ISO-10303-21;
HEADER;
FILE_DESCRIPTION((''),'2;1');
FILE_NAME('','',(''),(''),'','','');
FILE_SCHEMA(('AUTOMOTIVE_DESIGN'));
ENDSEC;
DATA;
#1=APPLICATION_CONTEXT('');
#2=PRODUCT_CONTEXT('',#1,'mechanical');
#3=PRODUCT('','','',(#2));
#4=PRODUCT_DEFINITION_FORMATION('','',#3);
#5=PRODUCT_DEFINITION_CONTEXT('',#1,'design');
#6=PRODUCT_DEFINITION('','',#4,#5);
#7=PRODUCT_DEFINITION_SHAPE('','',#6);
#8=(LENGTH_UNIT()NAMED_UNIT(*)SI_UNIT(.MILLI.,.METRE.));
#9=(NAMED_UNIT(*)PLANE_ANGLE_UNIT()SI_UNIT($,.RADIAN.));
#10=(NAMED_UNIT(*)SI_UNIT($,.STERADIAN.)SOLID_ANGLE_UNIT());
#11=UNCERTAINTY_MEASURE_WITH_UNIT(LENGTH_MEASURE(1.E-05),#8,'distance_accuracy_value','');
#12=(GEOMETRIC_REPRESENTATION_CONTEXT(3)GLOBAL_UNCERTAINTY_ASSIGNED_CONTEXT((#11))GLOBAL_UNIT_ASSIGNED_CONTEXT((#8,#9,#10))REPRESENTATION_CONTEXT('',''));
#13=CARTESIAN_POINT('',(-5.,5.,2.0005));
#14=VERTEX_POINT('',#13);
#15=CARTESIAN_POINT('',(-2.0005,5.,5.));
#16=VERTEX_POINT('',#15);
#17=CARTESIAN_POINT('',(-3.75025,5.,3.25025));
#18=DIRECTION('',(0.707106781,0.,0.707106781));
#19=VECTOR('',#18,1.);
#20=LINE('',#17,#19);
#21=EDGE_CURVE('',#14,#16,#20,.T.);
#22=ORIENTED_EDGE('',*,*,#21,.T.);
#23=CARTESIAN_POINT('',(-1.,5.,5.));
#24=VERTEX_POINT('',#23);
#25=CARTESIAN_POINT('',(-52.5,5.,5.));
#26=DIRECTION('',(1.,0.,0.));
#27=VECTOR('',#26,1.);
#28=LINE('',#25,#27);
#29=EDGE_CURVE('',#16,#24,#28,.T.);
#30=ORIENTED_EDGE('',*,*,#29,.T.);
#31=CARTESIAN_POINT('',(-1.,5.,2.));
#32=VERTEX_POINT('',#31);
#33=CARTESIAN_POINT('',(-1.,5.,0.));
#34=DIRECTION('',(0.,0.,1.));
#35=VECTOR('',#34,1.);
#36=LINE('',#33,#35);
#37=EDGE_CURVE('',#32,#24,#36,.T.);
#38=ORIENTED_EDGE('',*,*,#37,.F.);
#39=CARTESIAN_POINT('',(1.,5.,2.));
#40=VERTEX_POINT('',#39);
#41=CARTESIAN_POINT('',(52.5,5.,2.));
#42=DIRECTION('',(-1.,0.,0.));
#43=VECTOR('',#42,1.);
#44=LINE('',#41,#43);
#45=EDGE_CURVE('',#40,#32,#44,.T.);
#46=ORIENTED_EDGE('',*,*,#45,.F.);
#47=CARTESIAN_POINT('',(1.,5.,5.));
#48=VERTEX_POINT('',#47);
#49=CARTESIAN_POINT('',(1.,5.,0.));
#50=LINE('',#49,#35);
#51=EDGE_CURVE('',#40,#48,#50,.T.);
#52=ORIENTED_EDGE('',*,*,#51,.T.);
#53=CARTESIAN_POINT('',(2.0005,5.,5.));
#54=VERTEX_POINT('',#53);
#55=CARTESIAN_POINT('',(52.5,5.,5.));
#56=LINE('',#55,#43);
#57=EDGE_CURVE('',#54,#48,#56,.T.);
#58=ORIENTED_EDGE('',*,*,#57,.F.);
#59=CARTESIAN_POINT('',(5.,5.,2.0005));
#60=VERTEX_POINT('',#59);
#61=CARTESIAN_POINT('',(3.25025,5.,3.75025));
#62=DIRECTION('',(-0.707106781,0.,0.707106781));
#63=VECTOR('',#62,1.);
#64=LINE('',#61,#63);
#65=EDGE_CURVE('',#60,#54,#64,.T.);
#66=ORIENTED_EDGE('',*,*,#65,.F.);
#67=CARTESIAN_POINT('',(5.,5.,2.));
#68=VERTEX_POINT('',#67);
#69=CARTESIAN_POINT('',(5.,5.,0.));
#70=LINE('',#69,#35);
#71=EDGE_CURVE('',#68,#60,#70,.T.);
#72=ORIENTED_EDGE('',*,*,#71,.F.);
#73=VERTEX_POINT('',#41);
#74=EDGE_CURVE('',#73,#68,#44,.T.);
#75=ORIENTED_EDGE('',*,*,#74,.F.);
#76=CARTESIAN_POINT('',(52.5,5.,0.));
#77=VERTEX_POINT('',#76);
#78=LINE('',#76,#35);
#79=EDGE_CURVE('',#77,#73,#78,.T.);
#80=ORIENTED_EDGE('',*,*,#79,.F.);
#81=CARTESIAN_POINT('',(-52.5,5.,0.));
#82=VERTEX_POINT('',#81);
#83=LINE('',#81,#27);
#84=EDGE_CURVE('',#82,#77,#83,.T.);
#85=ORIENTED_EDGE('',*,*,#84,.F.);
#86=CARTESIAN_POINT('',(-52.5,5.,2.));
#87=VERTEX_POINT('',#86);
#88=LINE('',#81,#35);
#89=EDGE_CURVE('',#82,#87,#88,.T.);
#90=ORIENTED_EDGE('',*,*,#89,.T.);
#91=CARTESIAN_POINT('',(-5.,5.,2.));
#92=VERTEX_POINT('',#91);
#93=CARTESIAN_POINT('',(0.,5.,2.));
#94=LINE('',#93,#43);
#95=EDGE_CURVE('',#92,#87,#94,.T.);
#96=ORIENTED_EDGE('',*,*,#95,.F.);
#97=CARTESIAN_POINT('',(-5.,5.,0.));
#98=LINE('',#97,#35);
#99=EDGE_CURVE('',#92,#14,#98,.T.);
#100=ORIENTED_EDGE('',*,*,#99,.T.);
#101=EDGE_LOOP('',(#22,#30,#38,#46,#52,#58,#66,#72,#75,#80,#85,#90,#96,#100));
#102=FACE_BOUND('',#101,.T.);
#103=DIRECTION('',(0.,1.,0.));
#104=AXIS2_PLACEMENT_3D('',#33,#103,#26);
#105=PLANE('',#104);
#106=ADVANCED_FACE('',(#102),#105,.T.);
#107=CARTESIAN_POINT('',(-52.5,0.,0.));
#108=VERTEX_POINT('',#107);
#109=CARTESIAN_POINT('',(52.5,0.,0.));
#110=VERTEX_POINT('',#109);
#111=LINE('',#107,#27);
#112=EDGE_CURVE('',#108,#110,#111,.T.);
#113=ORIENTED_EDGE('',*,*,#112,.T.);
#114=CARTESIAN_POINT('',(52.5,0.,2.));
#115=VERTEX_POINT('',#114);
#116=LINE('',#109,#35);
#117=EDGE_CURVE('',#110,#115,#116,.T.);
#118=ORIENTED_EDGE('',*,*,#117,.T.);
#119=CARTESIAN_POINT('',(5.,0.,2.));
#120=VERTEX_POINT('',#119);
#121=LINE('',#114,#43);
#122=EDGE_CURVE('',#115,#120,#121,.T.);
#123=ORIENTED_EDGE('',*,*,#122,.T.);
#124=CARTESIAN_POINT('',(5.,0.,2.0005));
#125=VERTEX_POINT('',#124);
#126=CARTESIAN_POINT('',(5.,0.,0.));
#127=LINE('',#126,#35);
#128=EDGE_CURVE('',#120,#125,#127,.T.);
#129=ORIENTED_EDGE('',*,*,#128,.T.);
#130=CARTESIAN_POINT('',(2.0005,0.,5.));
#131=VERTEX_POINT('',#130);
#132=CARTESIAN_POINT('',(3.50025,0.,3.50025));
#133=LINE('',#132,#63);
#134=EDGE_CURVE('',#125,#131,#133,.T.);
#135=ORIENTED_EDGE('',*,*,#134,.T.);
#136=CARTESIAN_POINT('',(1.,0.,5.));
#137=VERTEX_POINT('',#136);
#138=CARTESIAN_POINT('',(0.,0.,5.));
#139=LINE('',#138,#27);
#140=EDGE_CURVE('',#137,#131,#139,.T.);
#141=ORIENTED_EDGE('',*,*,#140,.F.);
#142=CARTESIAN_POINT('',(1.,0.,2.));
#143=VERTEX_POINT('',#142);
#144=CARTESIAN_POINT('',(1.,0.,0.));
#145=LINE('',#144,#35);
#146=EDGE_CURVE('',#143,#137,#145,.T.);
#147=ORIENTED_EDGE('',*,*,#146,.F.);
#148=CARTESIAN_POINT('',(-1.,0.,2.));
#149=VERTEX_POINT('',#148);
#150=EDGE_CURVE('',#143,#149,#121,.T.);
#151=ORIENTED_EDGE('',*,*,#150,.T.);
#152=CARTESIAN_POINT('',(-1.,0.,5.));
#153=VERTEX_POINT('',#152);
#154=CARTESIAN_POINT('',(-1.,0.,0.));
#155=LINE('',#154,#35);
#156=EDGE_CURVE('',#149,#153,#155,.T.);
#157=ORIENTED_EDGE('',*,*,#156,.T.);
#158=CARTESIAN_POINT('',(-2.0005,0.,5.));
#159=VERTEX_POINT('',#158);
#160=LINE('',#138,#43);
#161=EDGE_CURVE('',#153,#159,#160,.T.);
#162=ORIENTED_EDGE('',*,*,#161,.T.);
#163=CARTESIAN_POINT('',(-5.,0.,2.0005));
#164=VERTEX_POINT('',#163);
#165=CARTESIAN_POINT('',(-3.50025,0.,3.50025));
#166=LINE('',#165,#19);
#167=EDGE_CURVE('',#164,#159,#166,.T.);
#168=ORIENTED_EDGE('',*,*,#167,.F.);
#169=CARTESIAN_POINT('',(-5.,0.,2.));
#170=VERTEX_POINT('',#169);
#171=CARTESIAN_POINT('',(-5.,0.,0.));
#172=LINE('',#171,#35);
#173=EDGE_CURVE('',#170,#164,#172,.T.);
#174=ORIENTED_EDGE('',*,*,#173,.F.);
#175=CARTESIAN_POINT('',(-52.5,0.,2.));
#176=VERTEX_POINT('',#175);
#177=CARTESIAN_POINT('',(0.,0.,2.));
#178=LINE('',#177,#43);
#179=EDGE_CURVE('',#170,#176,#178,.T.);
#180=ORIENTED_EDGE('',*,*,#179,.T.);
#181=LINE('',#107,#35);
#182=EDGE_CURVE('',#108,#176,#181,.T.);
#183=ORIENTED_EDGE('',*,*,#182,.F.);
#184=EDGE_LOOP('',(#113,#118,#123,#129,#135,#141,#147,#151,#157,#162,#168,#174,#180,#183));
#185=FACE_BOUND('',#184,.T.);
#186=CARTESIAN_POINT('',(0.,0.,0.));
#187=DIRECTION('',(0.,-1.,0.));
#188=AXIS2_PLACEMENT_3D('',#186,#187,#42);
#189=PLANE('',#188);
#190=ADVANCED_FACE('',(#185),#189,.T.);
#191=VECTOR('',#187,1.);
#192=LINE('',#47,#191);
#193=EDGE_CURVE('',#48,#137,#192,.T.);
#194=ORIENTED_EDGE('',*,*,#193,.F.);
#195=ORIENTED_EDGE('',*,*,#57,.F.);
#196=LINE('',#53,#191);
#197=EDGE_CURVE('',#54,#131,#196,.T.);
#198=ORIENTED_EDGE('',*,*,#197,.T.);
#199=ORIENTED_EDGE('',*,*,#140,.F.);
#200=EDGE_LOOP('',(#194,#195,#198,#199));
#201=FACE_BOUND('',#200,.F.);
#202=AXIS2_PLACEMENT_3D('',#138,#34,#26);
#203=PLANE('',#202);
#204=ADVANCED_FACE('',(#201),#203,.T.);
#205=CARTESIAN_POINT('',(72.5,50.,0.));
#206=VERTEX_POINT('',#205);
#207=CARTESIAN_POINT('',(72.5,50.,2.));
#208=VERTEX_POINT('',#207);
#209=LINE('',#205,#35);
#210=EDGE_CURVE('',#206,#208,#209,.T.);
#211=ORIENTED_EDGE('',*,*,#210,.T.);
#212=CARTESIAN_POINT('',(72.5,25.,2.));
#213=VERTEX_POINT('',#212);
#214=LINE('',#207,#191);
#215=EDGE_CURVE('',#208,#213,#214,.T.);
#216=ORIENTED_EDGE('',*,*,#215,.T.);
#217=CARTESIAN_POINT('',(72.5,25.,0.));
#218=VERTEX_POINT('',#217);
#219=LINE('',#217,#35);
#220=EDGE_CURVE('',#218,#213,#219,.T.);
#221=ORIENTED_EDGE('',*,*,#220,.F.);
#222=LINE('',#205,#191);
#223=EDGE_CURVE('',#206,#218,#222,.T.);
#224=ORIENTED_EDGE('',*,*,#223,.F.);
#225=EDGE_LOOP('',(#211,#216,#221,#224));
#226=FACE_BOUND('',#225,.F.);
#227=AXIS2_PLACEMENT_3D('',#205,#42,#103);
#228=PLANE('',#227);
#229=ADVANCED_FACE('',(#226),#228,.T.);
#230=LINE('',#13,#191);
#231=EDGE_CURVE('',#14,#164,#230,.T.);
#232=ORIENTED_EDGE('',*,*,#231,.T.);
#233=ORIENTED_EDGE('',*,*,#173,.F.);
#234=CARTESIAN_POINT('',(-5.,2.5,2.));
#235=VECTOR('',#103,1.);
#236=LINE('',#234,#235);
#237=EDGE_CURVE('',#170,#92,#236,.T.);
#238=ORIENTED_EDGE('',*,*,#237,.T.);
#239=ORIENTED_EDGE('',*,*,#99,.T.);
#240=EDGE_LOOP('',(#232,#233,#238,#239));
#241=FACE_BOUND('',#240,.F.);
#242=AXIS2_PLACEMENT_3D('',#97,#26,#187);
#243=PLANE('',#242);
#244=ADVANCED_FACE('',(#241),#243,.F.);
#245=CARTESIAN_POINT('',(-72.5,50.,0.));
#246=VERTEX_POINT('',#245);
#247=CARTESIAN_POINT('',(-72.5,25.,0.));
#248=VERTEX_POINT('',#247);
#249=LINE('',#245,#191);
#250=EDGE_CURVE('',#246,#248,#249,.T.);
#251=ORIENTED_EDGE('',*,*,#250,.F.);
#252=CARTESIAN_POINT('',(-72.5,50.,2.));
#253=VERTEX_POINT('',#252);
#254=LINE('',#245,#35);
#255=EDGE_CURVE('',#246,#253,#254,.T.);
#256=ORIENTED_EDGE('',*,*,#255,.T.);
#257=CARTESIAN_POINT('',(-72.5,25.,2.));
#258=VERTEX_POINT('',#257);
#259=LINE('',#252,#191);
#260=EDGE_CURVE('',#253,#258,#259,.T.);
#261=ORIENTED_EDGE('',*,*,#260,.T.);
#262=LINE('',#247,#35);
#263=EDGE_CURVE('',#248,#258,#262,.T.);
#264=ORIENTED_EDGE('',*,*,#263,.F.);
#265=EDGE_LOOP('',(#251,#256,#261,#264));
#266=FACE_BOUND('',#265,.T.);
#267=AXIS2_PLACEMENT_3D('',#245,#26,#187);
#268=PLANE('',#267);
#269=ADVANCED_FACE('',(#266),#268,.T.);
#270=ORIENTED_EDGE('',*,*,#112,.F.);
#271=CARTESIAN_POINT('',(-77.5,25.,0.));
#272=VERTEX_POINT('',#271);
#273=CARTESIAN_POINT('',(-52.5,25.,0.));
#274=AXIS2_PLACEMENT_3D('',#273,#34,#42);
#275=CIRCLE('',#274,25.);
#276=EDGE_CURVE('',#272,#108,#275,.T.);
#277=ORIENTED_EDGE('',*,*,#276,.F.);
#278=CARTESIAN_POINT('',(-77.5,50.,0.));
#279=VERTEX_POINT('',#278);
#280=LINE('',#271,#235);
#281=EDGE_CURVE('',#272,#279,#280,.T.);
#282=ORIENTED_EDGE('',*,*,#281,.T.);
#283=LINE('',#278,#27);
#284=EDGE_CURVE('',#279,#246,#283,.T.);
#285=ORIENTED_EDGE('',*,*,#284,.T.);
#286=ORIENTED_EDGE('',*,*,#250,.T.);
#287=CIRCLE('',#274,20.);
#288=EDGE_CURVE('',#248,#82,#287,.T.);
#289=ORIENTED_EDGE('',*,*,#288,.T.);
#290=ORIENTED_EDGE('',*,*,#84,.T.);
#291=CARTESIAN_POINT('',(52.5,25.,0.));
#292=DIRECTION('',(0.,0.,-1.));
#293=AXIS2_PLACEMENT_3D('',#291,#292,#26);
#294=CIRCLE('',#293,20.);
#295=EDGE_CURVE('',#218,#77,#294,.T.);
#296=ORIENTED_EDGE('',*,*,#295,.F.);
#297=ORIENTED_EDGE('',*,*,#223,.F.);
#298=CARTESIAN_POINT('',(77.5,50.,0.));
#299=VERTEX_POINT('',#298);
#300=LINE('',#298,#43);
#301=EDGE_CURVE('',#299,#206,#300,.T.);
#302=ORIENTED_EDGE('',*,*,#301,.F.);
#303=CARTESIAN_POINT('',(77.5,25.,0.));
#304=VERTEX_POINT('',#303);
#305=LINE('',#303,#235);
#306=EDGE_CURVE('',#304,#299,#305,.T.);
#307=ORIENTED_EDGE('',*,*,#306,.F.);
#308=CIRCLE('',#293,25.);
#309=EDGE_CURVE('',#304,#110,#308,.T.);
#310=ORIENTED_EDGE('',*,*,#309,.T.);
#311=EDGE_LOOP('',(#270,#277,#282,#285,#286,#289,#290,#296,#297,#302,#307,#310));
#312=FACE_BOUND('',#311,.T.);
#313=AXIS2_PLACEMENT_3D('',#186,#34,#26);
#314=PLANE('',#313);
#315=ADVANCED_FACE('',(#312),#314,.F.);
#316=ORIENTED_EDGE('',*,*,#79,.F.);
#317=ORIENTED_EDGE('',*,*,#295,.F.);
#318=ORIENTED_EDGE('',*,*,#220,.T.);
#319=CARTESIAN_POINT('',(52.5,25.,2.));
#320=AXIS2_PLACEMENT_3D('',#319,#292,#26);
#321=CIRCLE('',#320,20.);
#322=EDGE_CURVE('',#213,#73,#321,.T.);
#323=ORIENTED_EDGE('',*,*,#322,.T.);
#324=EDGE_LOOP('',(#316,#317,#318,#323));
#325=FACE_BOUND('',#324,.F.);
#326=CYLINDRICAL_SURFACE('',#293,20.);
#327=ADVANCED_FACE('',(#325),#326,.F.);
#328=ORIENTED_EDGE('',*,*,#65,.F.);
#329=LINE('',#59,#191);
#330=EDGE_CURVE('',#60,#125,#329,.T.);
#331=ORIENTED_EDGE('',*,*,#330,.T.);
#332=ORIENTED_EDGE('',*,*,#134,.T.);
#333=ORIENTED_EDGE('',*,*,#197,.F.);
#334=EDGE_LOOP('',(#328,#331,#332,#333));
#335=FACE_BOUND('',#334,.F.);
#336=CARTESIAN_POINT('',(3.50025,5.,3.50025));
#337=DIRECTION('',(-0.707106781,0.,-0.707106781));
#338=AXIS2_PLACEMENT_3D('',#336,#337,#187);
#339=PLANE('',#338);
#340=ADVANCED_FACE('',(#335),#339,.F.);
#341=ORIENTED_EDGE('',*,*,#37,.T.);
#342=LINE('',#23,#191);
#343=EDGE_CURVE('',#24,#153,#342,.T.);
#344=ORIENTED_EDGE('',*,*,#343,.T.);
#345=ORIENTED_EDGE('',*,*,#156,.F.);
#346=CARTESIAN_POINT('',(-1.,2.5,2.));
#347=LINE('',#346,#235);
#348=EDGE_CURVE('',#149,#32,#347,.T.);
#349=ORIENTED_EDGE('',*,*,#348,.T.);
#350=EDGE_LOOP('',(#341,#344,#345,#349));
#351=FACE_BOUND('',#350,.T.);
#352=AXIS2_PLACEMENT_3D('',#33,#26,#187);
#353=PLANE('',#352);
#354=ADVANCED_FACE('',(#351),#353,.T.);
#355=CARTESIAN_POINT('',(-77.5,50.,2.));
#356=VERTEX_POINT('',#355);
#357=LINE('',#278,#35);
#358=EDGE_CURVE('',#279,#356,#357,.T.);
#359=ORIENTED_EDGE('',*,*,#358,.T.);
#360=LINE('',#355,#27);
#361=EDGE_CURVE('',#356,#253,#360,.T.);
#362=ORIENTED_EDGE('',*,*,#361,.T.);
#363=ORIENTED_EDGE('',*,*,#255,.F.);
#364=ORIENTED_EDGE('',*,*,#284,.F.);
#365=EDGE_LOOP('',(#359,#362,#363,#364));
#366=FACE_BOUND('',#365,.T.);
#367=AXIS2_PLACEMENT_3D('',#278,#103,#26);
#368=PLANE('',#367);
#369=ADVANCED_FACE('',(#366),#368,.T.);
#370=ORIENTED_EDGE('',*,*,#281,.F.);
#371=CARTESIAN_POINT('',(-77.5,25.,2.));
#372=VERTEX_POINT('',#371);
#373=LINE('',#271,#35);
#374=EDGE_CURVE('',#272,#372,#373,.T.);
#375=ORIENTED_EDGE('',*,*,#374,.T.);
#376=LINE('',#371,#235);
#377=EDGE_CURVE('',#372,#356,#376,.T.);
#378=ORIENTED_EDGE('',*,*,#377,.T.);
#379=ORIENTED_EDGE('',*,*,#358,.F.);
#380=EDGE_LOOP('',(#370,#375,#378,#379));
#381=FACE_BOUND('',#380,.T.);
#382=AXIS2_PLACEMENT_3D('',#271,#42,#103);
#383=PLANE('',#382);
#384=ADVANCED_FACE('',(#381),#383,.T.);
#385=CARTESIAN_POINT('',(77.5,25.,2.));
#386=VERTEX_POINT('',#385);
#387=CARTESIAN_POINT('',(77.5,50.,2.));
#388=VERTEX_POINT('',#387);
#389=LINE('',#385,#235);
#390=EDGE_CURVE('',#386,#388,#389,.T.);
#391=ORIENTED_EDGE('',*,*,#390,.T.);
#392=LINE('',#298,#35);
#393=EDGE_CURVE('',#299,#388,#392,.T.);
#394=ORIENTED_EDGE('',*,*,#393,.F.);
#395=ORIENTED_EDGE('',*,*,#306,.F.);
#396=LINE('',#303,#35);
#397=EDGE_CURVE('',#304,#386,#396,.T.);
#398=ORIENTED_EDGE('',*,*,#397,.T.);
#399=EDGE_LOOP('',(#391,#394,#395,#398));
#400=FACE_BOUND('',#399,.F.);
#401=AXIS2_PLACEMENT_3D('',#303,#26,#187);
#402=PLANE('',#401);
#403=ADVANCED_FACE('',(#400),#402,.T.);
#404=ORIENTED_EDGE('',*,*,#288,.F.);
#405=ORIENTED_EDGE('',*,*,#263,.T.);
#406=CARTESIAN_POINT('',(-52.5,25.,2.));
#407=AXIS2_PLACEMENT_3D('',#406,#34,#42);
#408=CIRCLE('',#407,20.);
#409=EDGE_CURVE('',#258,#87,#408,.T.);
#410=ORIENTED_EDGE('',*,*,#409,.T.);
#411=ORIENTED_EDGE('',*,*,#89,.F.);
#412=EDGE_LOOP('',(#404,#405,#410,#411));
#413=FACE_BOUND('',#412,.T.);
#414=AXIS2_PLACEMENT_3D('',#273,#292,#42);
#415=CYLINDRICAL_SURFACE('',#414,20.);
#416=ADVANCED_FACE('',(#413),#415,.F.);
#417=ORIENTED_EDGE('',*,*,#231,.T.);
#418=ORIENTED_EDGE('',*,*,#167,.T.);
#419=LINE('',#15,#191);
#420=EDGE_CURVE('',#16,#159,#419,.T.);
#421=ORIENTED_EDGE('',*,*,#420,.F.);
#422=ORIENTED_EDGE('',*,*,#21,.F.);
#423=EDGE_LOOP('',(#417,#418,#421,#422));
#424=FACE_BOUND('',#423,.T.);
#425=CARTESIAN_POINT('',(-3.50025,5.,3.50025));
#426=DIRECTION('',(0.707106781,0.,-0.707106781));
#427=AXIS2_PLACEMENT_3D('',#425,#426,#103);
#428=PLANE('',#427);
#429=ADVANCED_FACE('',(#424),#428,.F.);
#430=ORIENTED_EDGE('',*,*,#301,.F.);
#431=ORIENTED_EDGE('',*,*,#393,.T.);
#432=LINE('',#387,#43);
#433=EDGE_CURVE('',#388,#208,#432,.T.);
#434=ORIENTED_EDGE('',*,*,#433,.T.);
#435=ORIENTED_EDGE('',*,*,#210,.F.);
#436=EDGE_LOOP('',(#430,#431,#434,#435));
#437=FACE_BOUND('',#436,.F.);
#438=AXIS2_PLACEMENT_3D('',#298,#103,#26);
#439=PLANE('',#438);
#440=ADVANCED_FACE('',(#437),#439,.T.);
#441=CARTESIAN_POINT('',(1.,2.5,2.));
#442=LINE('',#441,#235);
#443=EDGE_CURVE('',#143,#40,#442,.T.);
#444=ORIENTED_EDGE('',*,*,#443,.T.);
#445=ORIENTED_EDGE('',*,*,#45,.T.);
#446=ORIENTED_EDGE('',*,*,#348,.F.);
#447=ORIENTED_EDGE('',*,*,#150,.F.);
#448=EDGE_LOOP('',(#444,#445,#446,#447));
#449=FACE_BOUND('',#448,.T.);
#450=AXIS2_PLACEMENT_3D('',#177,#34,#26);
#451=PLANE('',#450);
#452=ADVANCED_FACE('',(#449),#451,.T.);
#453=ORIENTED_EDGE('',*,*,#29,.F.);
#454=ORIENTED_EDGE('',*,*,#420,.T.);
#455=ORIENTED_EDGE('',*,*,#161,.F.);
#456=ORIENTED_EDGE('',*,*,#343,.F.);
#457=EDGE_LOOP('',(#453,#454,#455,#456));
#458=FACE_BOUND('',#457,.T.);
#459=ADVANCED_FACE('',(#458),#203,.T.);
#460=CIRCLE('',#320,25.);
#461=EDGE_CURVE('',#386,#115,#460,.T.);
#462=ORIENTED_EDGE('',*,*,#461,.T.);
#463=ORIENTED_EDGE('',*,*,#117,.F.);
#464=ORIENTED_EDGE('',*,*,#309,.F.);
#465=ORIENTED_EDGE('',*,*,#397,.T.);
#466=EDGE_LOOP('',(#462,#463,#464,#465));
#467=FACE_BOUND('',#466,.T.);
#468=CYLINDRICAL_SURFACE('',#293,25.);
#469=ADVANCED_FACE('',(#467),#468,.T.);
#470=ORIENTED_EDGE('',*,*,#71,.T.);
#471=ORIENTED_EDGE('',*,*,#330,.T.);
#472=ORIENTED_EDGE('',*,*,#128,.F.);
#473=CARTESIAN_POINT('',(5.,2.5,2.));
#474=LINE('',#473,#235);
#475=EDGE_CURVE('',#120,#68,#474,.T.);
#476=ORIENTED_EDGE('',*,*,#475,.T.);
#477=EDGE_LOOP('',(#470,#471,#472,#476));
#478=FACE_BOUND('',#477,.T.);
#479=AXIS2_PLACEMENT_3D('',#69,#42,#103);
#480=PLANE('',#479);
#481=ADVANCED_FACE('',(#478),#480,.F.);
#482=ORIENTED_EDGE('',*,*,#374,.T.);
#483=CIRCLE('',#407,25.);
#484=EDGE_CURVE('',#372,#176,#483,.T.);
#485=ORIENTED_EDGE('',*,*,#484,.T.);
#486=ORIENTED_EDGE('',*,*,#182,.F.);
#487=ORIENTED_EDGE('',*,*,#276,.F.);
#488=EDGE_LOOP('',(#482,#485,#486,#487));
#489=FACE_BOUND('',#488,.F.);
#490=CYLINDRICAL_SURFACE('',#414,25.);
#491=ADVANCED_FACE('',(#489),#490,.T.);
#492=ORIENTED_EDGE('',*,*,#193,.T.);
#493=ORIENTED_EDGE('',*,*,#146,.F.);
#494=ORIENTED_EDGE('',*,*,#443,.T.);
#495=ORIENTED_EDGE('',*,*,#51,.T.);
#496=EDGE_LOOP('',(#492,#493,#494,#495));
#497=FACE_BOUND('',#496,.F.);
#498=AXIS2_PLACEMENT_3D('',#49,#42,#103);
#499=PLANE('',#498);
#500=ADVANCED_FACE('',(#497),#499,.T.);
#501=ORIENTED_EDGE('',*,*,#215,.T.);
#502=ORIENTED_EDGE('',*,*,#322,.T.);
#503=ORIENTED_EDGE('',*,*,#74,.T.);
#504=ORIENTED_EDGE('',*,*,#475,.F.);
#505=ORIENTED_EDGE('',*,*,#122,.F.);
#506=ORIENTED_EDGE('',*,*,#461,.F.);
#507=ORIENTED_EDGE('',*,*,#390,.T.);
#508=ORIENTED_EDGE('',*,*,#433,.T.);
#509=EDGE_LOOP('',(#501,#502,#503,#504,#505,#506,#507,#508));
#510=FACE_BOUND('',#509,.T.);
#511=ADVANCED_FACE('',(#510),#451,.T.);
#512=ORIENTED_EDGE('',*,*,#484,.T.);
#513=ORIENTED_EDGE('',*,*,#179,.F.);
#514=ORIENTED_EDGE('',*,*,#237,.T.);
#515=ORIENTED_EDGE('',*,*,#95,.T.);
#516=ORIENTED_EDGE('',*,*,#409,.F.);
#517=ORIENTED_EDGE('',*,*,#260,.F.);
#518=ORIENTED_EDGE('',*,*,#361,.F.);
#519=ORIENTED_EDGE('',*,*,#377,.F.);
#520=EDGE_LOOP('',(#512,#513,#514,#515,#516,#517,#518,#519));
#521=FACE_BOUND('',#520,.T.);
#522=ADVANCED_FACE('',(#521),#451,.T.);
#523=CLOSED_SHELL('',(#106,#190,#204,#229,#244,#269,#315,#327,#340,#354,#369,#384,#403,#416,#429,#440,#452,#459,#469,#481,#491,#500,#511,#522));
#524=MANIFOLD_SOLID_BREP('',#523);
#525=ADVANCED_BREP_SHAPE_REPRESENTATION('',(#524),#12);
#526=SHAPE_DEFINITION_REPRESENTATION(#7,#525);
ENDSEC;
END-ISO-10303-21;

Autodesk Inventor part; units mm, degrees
ref_plane "YZ Plane" through (0, 0, 0) normal (1, 0, 0) x (0, 1, 0)
ref_plane "XZ Plane" through (0, 0, 0) normal (0, 1, 0) x (-1, 0, 0)
ref_plane "XY Plane" through (0, 0, 0) normal (0, 0, 1) x (1, 0, 0)
sketch "Skizze1" plane through (0, 0, 0) normal (0, 0, 1) x (1, 0, 0)
  line L0 (0, 0) -> (-52.5, 0)
  arc A0 (-77.5, 25) -> (-52.5, 0) centre (-52.5, 25) ccw
  line L1 (-77.5, 25) -> (-77.5, 50)
  line L2 (-77.5, 50) -> (-72.5, 50)
  line L3 (-72.5, 50) -> (-72.5, 25)
  arc A1 (-72.5, 25) -> (-52.5, 5) centre (-52.5, 25) ccw
  line L4 (-52.5, 5) -> (0, 5)
  line L5 (0, 5) -> (0, 0)
  line L6 (-1, 5) -> (-1, 0)
  line L7 (-5, 5) -> (-5, 0)
  point P0 (-75, 50)
  dimension "d0" = 5
  dimension "d2" = 50
  dimension "d3" = 25
  dimension "d4" = 150
  dimension "d6" = 10
  dimension "d7" = 2
  dimension "d15" = 5
  dimension "d16" = 3
  dimension "d17" = 60
  dimension "d19" = 25
extrude "Extrusion1" add sketch "Skizze1" along normal blind 2
extrude "Extrusion2" add sketch "Skizze1" along normal blind 5 contours L0 L7 L4 L6
mirror "Spiegeln1" about plane through (0, 0, 0) normal (1, 0, 0) of "Extrusion1", "Extrusion2"
chamfer "Fase1" distance 3 angle 45 2 edges at (-5, 2.5, 5) (5, 2.5, 5)
properties part number "LEDholderh_3D-Druck"
